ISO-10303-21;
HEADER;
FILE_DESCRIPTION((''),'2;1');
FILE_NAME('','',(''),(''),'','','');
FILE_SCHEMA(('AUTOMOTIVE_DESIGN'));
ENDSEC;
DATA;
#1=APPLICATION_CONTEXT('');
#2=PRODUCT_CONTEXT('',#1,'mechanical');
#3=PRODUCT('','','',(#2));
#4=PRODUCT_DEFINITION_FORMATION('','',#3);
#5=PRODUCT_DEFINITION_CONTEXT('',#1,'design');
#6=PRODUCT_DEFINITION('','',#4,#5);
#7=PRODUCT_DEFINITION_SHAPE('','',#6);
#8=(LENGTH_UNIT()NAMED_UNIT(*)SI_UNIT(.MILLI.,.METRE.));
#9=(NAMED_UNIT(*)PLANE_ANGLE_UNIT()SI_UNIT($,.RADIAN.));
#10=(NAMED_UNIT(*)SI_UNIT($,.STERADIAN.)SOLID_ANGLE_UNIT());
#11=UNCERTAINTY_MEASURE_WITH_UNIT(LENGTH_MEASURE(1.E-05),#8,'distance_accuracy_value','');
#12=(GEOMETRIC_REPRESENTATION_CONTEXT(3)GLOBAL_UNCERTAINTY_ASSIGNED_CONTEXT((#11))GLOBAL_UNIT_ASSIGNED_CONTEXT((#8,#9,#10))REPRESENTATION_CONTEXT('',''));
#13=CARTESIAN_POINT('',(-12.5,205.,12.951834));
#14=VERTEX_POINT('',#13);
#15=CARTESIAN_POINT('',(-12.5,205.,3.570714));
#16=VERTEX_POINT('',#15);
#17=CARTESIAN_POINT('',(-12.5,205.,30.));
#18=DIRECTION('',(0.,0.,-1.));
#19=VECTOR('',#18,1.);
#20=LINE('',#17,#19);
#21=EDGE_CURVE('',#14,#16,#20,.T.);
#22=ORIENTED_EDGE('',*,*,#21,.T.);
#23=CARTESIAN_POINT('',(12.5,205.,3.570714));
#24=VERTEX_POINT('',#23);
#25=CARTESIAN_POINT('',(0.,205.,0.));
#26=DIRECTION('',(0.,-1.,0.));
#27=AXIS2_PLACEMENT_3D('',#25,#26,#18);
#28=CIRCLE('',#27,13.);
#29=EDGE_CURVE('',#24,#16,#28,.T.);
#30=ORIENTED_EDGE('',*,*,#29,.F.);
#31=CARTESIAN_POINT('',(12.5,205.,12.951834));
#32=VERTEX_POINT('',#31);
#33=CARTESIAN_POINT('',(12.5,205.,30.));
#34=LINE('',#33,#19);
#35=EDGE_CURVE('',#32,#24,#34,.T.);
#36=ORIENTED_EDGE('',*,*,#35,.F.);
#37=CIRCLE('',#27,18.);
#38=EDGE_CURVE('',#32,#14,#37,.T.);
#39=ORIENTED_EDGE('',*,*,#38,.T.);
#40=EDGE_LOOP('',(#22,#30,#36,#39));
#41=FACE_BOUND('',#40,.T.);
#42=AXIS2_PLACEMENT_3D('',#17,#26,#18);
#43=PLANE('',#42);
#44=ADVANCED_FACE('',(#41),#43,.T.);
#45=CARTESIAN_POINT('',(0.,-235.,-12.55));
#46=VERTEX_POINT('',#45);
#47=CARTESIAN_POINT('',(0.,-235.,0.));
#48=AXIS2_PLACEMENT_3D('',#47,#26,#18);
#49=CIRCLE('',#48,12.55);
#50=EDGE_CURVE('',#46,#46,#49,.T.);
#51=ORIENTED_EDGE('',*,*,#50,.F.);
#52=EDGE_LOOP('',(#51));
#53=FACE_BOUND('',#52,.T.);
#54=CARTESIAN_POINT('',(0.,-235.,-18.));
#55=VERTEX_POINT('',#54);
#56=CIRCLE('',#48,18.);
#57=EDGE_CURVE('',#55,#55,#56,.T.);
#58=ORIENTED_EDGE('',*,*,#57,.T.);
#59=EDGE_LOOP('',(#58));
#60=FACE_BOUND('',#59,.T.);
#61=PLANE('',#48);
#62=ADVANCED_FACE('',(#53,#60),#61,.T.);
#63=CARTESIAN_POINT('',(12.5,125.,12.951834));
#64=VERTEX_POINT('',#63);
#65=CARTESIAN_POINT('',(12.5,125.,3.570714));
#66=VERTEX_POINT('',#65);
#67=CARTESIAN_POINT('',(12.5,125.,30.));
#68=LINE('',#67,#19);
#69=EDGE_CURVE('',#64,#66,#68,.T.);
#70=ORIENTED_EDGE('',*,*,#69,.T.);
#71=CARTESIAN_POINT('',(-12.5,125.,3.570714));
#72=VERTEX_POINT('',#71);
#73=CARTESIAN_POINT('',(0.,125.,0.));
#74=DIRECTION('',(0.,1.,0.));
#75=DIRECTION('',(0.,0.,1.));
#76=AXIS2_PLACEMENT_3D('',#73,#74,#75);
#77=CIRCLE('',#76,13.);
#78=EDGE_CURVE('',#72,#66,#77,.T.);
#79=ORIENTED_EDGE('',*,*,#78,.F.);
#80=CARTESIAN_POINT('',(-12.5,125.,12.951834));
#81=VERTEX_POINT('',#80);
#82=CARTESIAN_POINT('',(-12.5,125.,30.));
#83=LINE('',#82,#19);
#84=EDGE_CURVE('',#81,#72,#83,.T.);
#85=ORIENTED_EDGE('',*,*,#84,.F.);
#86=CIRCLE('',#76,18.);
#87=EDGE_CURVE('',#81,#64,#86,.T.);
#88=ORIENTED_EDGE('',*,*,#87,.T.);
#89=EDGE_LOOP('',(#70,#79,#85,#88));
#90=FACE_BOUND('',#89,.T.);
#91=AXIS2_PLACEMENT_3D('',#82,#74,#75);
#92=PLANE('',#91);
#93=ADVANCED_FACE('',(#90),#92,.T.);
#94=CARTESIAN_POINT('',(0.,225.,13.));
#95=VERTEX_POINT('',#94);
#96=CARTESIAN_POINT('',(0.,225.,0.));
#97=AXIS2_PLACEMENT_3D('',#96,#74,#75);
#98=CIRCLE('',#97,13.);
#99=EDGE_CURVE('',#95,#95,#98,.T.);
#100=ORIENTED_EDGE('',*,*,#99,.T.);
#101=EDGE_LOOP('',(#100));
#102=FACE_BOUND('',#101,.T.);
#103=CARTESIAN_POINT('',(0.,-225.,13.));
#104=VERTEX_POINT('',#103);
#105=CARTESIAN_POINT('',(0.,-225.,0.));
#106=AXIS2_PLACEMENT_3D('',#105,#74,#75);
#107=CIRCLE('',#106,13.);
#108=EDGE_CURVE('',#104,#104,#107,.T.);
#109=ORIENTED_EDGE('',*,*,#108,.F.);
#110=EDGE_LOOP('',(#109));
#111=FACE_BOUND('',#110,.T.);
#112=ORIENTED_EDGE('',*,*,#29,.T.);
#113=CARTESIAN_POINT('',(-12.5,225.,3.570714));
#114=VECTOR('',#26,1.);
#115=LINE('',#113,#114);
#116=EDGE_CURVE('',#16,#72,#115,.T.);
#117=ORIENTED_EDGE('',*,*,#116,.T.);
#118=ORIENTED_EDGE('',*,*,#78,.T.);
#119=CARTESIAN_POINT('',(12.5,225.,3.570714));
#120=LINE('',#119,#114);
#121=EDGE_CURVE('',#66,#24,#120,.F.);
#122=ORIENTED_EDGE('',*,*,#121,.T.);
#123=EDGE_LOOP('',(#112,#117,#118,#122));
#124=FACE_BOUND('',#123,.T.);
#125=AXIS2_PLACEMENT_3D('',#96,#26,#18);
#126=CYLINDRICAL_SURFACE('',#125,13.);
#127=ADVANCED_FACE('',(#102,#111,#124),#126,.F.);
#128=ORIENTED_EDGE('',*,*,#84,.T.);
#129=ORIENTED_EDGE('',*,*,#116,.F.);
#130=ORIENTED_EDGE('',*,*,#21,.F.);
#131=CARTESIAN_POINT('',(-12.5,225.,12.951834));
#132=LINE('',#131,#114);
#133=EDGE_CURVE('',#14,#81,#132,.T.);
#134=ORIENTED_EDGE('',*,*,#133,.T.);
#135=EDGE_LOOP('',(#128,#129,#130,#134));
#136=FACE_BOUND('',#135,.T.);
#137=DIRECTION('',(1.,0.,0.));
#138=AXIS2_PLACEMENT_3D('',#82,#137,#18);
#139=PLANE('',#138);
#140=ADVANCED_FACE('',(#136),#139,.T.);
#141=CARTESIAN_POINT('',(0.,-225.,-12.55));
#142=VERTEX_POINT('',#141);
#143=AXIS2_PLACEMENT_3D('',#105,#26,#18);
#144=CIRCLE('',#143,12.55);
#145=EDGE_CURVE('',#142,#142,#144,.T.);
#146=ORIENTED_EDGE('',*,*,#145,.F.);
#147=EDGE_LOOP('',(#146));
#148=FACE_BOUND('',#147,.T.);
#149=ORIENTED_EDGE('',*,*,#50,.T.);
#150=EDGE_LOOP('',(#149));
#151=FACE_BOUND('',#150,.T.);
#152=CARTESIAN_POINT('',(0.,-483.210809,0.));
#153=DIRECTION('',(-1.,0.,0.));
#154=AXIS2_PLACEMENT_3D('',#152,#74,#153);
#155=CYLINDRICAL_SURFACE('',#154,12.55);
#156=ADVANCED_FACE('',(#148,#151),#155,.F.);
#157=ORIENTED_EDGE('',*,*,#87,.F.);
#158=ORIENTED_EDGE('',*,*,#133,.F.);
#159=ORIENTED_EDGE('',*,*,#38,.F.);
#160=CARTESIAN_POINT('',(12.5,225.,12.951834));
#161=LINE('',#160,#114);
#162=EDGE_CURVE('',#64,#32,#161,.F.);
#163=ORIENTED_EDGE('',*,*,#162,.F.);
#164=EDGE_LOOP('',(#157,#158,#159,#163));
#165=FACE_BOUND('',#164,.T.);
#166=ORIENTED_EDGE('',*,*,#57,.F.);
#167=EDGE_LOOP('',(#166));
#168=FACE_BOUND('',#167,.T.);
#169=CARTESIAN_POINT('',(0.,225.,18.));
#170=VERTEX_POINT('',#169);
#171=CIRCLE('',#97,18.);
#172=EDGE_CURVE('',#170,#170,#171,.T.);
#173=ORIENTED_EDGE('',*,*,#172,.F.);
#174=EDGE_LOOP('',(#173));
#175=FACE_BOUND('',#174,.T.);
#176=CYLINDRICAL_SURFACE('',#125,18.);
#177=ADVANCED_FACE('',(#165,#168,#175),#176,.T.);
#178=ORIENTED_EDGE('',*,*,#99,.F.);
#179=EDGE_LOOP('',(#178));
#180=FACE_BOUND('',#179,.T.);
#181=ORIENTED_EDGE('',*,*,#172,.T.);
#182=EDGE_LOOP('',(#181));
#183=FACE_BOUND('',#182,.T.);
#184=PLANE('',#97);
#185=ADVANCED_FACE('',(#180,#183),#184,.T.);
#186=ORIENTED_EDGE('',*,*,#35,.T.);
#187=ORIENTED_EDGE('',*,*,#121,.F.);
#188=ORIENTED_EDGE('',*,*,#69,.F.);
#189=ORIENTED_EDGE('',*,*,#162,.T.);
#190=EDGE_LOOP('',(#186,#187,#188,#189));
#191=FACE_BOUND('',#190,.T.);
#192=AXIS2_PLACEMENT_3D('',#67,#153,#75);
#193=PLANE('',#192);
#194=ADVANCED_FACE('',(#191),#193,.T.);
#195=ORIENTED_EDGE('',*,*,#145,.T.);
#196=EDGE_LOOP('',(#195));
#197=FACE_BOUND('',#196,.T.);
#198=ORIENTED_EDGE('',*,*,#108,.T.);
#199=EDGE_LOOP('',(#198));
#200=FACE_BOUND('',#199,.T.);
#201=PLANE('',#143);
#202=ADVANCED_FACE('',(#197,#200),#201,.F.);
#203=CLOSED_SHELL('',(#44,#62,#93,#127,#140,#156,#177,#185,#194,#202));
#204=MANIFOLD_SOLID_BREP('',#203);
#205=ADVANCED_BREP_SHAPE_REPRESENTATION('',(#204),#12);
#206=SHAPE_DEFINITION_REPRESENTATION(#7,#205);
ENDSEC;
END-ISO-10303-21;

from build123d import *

# Parameters (mm, degrees)
SKETCH1_R           = 18
SKETCH1_R_2         = 13
BOSS_EXTRUDE1_DEPTH = 225
SKETCH8_R           = 18
BOSS_EXTRUDE3_DEPTH = 10
SKETCH9_R           = 12.55
CUT_EXTRUDE2_DEPTH  = 899.5
SKETCH23_W          = 25
SKETCH23_H          = 80
CUT_EXTRUDE16_DEPTH = 30


with BuildPart() as part:
    # Sketch1 → Boss-Extrude1 (new, symmetric)
    with BuildSketch(Plane(origin=(0, 0, 0), x_dir=(1, 0, 0), z_dir=(0, 1, 0))):
        Circle(SKETCH1_R)
        Circle(SKETCH1_R_2, mode=Mode.SUBTRACT)
    extrude(amount=BOSS_EXTRUDE1_DEPTH, both=True)

    # Sketch8 → Boss-Extrude3 (add)
    with BuildSketch(Plane.XZ.offset(225)):
        Circle(SKETCH8_R)
    extrude(amount=BOSS_EXTRUDE3_DEPTH)

    # Sketch9 → Cut-Extrude2 (cut)
    with BuildSketch(Plane(origin=(-32.302786122, 416.289190775, -45.221901395), x_dir=(-0.9768887275019512, 0, 0.2137484832217963), z_dir=(0, 1, 0))):
        with Locations((-21.890114798, 51.081437247)):
            Circle(SKETCH9_R)
    extrude(amount=-CUT_EXTRUDE2_DEPTH, mode=Mode.SUBTRACT)

    # Sketch23 → Cut-Extrude16 (cut)
    with BuildSketch(Plane.XY):
        with Locations((0, 165)):
            Rectangle(SKETCH23_W, SKETCH23_H)
    extrude(amount=CUT_EXTRUDE16_DEPTH, mode=Mode.SUBTRACT)


solid = part.part
